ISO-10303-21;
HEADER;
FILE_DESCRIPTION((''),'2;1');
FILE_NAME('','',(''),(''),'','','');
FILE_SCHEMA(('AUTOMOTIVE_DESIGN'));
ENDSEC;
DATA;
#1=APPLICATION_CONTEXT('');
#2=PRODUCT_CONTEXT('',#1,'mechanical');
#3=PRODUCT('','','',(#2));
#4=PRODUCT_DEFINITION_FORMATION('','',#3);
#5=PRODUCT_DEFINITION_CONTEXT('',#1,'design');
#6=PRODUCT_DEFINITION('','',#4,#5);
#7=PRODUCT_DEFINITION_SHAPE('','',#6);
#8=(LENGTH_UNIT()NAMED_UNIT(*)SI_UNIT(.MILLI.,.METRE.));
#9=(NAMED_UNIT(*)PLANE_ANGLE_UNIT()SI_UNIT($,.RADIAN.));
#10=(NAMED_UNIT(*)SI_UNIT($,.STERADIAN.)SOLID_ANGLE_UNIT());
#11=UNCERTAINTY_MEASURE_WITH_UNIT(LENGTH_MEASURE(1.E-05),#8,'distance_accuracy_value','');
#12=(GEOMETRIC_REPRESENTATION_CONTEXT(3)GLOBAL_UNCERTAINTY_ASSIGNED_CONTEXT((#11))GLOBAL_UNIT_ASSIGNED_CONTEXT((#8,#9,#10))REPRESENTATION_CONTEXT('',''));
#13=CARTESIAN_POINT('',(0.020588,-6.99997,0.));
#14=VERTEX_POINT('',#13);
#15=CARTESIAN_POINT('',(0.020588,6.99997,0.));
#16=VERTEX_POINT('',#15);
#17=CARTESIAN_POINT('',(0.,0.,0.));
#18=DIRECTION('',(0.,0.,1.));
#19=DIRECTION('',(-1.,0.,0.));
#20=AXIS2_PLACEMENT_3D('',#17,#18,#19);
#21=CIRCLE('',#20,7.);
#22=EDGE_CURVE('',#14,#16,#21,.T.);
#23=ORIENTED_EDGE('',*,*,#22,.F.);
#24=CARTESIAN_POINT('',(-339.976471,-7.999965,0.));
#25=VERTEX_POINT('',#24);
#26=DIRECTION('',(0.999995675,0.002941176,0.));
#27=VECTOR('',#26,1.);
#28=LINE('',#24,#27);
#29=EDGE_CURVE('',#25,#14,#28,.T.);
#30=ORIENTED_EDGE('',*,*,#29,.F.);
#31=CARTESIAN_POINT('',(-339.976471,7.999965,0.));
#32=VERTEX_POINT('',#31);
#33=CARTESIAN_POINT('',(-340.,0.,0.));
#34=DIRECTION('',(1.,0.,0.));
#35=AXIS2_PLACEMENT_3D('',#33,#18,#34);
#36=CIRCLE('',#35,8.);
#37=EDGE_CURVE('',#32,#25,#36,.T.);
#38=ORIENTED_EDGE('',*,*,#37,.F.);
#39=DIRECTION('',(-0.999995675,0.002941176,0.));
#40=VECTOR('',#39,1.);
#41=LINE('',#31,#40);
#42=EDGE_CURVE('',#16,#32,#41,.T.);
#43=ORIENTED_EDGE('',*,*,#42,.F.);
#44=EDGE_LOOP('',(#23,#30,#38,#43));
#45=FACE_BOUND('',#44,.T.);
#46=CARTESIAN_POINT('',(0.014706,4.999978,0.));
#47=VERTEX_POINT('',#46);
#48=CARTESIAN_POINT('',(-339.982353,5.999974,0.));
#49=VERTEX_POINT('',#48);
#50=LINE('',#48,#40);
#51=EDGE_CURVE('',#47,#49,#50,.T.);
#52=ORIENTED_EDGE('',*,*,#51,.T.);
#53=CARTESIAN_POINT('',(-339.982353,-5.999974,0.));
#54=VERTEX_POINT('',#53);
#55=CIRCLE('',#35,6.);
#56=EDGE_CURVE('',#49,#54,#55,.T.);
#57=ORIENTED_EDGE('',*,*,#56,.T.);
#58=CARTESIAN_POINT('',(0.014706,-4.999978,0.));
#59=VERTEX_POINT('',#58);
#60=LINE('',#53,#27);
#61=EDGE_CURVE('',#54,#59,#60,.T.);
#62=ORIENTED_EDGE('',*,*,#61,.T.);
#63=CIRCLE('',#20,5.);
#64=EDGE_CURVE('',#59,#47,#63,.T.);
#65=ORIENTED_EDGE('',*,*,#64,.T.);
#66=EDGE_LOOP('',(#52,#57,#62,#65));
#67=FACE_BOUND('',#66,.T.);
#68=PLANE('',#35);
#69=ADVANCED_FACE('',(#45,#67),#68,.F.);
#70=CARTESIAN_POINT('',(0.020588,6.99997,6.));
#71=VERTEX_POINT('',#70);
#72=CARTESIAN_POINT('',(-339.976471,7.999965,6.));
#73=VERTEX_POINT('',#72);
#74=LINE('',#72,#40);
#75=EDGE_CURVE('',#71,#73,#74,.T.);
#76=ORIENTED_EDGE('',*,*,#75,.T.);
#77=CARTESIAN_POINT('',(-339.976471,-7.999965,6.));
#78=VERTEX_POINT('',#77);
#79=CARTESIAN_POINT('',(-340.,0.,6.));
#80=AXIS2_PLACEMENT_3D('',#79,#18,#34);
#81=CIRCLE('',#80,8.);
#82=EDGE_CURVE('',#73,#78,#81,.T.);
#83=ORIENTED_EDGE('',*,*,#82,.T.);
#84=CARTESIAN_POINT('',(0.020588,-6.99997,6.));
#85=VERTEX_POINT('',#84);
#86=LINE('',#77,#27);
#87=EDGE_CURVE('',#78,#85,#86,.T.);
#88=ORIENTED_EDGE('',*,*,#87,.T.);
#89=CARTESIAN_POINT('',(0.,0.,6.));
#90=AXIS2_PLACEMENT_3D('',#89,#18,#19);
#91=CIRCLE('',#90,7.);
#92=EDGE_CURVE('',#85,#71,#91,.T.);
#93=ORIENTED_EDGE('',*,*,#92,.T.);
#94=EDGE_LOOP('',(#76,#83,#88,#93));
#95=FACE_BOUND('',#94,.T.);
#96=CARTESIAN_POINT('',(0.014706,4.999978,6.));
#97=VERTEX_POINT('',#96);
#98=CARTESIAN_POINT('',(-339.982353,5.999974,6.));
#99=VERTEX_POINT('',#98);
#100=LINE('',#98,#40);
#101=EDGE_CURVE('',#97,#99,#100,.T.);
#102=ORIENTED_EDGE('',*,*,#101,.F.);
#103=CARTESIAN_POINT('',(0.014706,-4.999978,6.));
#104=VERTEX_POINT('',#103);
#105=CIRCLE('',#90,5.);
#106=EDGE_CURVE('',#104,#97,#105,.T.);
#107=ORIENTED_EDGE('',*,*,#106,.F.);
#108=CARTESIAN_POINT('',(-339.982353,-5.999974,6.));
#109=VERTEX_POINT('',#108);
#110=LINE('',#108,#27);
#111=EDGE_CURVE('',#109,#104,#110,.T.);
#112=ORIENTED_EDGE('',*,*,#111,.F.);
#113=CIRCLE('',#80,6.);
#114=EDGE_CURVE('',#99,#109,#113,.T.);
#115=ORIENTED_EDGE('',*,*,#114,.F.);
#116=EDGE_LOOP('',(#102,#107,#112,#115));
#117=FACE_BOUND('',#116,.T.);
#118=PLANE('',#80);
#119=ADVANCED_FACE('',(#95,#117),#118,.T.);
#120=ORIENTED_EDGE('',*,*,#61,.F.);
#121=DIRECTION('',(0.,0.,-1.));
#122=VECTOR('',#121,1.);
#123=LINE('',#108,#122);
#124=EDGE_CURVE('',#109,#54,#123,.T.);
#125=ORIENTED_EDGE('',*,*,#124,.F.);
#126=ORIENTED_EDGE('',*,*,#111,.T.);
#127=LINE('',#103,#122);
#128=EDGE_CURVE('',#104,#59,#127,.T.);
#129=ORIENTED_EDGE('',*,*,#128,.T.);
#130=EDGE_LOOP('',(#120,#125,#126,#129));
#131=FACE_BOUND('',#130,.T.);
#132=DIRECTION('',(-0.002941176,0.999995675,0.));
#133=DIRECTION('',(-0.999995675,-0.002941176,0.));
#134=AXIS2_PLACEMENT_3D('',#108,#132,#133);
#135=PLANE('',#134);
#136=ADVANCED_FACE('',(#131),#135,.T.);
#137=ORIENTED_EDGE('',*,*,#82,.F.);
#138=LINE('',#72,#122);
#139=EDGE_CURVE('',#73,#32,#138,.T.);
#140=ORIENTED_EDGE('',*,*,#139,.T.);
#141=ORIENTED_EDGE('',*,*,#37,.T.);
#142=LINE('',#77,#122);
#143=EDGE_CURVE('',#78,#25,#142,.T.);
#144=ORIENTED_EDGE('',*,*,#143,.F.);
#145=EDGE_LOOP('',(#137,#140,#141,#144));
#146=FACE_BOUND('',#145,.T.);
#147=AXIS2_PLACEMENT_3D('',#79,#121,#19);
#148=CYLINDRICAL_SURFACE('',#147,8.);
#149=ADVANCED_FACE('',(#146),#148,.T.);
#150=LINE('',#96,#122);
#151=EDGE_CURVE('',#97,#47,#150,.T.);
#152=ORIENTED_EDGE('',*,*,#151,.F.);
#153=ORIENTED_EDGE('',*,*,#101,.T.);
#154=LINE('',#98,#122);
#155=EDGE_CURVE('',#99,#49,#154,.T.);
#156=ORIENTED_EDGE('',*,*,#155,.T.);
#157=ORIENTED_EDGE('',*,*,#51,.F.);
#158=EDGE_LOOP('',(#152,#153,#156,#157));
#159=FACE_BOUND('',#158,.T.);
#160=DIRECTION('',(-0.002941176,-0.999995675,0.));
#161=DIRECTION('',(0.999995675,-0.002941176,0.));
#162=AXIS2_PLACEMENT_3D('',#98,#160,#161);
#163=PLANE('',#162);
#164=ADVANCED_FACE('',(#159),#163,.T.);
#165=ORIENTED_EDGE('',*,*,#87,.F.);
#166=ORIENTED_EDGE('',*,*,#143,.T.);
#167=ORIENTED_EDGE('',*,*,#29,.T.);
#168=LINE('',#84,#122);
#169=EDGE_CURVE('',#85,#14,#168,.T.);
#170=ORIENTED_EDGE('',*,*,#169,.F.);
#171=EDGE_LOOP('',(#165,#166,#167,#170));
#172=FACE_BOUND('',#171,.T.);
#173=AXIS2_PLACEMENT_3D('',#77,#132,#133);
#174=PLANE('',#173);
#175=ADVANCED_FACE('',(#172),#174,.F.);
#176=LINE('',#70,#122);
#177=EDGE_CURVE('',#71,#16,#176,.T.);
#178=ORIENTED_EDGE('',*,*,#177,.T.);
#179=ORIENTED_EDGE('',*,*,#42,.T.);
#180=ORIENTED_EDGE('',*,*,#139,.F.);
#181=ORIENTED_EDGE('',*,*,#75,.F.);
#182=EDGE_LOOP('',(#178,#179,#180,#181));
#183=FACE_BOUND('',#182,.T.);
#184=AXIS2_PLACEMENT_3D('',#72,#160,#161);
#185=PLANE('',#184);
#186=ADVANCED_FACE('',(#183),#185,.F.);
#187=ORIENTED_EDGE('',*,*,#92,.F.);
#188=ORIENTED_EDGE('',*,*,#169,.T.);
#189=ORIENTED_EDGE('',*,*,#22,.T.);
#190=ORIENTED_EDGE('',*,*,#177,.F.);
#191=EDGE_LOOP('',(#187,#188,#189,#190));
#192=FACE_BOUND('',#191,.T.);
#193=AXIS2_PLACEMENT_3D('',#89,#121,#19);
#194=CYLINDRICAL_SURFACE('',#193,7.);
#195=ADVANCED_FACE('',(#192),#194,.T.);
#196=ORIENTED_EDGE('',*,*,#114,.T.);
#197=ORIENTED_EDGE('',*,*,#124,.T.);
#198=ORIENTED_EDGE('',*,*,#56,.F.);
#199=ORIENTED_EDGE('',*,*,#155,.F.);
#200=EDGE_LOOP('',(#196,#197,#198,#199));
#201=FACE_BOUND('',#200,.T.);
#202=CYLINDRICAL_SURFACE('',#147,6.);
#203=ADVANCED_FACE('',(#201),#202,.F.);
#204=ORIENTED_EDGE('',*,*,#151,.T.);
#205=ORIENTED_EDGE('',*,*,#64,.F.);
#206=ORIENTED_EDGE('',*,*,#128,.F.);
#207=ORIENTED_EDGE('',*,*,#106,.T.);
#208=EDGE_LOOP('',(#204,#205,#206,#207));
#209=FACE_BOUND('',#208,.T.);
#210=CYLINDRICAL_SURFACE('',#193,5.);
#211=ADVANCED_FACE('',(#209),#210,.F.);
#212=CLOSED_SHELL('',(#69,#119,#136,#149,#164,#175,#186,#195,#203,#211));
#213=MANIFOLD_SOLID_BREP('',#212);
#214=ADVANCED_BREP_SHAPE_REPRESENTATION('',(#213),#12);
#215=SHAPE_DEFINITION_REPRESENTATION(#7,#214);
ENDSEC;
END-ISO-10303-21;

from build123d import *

# Parameters (mm, degrees)
RESSALTO_EXTRUS_O1_DEPTH = 6


with BuildPart() as part:
    # Esboço1 → Ressalto-extrusão1 (new body)
    with BuildSketch(Plane.XY):
        with BuildLine():
            Line((-339.976470588, 7.999965398), (0.020588235, 6.999969723))
            ThreePointArc((0.020588235, 6.999969723), (7, 0), (0.020588235, -6.999969723))
            Line((0.020588235, -6.999969723), (-339.976470588, -7.999965398))
            ThreePointArc((-339.976470588, -7.999965398), (-348, 0), (-339.976470588, 7.999965398))
        make_face()
        with BuildLine():
            Line((-339.982352941, 5.999974048), (0.014705882, 4.999978374))
            ThreePointArc((0.014705882, 4.999978374), (5, 0), (0.014705882, -4.999978374))
            Line((0.014705882, -4.999978374), (-339.982352941, -5.999974048))
            ThreePointArc((-339.982352941, -5.999974048), (-346, 0), (-339.982352941, 5.999974048))
        make_face(mode=Mode.SUBTRACT)
    extrude(amount=RESSALTO_EXTRUS_O1_DEPTH)


solid = part.part
